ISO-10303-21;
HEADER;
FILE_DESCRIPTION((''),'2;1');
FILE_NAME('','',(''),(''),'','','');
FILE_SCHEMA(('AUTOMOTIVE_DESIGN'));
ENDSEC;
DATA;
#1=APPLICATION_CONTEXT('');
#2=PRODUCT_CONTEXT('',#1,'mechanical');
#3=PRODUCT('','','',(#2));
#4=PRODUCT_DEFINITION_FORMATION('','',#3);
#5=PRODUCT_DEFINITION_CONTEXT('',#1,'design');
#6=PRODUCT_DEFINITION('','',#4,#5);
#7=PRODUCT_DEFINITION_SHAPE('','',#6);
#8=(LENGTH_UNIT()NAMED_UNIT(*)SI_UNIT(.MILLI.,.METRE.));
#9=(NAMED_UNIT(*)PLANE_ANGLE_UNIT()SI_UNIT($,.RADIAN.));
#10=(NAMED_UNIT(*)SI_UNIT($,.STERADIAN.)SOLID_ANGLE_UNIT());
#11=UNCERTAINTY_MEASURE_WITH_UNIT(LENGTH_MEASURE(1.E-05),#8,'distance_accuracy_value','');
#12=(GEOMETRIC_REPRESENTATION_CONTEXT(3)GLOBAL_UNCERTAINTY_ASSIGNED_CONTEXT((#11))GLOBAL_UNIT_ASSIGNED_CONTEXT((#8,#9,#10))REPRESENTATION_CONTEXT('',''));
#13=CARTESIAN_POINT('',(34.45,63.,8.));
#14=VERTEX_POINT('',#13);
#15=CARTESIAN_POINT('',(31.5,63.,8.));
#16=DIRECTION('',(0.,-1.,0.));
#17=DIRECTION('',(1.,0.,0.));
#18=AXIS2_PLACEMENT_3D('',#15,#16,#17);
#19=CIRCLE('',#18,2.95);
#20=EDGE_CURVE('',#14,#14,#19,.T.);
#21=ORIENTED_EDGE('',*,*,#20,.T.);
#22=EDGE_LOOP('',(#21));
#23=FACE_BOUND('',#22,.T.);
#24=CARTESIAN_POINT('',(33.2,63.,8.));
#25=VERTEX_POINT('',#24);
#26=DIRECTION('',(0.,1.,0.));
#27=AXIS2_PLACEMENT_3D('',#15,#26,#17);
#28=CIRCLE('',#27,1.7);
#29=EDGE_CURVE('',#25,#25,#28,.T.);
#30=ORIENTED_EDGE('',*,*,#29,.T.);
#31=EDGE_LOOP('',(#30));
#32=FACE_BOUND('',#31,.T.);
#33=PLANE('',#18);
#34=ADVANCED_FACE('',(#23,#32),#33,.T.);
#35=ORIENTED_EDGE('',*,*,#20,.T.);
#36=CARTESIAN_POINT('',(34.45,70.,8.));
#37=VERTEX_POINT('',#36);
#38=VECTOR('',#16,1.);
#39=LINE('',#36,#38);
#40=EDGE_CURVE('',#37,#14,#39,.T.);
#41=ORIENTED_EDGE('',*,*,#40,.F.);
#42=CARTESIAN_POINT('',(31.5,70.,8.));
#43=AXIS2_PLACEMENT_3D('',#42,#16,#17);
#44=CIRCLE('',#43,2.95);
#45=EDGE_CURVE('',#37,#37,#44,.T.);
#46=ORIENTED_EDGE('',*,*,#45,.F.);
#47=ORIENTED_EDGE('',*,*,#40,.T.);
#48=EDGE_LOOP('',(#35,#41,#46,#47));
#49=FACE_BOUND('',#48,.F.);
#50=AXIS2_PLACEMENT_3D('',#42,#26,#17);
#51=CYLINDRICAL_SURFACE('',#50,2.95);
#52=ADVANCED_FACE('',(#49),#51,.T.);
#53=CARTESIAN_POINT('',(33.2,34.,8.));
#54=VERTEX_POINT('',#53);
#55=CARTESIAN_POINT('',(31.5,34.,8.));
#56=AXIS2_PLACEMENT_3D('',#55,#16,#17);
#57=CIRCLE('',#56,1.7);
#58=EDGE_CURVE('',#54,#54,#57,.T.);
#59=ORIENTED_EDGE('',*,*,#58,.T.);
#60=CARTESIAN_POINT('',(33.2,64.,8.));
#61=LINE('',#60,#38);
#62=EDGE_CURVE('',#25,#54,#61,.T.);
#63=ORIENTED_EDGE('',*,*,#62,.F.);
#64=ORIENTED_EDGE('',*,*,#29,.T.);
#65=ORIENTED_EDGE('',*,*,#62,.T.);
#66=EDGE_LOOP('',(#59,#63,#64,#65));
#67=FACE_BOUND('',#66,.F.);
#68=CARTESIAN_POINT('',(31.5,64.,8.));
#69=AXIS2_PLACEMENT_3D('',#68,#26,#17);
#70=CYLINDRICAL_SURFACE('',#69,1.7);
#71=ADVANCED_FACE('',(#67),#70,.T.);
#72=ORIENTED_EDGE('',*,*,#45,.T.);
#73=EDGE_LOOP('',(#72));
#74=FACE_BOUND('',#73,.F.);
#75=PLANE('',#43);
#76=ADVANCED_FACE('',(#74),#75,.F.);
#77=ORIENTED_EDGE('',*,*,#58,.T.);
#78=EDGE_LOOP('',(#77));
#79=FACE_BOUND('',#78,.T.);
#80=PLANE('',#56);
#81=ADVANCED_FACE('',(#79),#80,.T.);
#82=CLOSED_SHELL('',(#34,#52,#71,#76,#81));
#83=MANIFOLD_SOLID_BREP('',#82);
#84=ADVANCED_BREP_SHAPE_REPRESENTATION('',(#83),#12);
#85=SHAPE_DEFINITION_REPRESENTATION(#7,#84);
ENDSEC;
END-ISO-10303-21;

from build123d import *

# Parameters (mm, degrees)
CYLINDER_R          = 2.95
CYLINDER_DEPTH      = 7
CYLINDER001_R       = 1.7
CYLINDER001_DEPTH   = 30
CLONE052_ROLL_ANGLE = 90


with BuildPart() as m3bolthead:
    # Cylinder → Cylinder (new body)
    with BuildSketch(Plane.XY):
        Circle(CYLINDER_R)
    extrude(amount=CYLINDER_DEPTH)


with BuildPart() as clone_of_m3bolt015:
    # Cylinder001 → Cylinder001 (new body)
    with BuildSketch(Plane.XY.offset(6)):
        Circle(CYLINDER001_R)
    extrude(amount=CYLINDER001_DEPTH)

    # Fusion: union M3BoltHead
    add(m3bolthead.part)


with BuildPart() as clone_of_m3bolt015_1:
    # Clone052 roll: moved
    add(clone_of_m3bolt015.part.rotate(Axis((0, 0, 0), (1, 0, 0)), CLONE052_ROLL_ANGLE))


with BuildPart() as clone_of_m3bolt015_2:
    # Clone052 placement: moved
    add(clone_of_m3bolt015_1.part.moved(Location((31.5, 70, 8))))


solid = clone_of_m3bolt015_2.part
